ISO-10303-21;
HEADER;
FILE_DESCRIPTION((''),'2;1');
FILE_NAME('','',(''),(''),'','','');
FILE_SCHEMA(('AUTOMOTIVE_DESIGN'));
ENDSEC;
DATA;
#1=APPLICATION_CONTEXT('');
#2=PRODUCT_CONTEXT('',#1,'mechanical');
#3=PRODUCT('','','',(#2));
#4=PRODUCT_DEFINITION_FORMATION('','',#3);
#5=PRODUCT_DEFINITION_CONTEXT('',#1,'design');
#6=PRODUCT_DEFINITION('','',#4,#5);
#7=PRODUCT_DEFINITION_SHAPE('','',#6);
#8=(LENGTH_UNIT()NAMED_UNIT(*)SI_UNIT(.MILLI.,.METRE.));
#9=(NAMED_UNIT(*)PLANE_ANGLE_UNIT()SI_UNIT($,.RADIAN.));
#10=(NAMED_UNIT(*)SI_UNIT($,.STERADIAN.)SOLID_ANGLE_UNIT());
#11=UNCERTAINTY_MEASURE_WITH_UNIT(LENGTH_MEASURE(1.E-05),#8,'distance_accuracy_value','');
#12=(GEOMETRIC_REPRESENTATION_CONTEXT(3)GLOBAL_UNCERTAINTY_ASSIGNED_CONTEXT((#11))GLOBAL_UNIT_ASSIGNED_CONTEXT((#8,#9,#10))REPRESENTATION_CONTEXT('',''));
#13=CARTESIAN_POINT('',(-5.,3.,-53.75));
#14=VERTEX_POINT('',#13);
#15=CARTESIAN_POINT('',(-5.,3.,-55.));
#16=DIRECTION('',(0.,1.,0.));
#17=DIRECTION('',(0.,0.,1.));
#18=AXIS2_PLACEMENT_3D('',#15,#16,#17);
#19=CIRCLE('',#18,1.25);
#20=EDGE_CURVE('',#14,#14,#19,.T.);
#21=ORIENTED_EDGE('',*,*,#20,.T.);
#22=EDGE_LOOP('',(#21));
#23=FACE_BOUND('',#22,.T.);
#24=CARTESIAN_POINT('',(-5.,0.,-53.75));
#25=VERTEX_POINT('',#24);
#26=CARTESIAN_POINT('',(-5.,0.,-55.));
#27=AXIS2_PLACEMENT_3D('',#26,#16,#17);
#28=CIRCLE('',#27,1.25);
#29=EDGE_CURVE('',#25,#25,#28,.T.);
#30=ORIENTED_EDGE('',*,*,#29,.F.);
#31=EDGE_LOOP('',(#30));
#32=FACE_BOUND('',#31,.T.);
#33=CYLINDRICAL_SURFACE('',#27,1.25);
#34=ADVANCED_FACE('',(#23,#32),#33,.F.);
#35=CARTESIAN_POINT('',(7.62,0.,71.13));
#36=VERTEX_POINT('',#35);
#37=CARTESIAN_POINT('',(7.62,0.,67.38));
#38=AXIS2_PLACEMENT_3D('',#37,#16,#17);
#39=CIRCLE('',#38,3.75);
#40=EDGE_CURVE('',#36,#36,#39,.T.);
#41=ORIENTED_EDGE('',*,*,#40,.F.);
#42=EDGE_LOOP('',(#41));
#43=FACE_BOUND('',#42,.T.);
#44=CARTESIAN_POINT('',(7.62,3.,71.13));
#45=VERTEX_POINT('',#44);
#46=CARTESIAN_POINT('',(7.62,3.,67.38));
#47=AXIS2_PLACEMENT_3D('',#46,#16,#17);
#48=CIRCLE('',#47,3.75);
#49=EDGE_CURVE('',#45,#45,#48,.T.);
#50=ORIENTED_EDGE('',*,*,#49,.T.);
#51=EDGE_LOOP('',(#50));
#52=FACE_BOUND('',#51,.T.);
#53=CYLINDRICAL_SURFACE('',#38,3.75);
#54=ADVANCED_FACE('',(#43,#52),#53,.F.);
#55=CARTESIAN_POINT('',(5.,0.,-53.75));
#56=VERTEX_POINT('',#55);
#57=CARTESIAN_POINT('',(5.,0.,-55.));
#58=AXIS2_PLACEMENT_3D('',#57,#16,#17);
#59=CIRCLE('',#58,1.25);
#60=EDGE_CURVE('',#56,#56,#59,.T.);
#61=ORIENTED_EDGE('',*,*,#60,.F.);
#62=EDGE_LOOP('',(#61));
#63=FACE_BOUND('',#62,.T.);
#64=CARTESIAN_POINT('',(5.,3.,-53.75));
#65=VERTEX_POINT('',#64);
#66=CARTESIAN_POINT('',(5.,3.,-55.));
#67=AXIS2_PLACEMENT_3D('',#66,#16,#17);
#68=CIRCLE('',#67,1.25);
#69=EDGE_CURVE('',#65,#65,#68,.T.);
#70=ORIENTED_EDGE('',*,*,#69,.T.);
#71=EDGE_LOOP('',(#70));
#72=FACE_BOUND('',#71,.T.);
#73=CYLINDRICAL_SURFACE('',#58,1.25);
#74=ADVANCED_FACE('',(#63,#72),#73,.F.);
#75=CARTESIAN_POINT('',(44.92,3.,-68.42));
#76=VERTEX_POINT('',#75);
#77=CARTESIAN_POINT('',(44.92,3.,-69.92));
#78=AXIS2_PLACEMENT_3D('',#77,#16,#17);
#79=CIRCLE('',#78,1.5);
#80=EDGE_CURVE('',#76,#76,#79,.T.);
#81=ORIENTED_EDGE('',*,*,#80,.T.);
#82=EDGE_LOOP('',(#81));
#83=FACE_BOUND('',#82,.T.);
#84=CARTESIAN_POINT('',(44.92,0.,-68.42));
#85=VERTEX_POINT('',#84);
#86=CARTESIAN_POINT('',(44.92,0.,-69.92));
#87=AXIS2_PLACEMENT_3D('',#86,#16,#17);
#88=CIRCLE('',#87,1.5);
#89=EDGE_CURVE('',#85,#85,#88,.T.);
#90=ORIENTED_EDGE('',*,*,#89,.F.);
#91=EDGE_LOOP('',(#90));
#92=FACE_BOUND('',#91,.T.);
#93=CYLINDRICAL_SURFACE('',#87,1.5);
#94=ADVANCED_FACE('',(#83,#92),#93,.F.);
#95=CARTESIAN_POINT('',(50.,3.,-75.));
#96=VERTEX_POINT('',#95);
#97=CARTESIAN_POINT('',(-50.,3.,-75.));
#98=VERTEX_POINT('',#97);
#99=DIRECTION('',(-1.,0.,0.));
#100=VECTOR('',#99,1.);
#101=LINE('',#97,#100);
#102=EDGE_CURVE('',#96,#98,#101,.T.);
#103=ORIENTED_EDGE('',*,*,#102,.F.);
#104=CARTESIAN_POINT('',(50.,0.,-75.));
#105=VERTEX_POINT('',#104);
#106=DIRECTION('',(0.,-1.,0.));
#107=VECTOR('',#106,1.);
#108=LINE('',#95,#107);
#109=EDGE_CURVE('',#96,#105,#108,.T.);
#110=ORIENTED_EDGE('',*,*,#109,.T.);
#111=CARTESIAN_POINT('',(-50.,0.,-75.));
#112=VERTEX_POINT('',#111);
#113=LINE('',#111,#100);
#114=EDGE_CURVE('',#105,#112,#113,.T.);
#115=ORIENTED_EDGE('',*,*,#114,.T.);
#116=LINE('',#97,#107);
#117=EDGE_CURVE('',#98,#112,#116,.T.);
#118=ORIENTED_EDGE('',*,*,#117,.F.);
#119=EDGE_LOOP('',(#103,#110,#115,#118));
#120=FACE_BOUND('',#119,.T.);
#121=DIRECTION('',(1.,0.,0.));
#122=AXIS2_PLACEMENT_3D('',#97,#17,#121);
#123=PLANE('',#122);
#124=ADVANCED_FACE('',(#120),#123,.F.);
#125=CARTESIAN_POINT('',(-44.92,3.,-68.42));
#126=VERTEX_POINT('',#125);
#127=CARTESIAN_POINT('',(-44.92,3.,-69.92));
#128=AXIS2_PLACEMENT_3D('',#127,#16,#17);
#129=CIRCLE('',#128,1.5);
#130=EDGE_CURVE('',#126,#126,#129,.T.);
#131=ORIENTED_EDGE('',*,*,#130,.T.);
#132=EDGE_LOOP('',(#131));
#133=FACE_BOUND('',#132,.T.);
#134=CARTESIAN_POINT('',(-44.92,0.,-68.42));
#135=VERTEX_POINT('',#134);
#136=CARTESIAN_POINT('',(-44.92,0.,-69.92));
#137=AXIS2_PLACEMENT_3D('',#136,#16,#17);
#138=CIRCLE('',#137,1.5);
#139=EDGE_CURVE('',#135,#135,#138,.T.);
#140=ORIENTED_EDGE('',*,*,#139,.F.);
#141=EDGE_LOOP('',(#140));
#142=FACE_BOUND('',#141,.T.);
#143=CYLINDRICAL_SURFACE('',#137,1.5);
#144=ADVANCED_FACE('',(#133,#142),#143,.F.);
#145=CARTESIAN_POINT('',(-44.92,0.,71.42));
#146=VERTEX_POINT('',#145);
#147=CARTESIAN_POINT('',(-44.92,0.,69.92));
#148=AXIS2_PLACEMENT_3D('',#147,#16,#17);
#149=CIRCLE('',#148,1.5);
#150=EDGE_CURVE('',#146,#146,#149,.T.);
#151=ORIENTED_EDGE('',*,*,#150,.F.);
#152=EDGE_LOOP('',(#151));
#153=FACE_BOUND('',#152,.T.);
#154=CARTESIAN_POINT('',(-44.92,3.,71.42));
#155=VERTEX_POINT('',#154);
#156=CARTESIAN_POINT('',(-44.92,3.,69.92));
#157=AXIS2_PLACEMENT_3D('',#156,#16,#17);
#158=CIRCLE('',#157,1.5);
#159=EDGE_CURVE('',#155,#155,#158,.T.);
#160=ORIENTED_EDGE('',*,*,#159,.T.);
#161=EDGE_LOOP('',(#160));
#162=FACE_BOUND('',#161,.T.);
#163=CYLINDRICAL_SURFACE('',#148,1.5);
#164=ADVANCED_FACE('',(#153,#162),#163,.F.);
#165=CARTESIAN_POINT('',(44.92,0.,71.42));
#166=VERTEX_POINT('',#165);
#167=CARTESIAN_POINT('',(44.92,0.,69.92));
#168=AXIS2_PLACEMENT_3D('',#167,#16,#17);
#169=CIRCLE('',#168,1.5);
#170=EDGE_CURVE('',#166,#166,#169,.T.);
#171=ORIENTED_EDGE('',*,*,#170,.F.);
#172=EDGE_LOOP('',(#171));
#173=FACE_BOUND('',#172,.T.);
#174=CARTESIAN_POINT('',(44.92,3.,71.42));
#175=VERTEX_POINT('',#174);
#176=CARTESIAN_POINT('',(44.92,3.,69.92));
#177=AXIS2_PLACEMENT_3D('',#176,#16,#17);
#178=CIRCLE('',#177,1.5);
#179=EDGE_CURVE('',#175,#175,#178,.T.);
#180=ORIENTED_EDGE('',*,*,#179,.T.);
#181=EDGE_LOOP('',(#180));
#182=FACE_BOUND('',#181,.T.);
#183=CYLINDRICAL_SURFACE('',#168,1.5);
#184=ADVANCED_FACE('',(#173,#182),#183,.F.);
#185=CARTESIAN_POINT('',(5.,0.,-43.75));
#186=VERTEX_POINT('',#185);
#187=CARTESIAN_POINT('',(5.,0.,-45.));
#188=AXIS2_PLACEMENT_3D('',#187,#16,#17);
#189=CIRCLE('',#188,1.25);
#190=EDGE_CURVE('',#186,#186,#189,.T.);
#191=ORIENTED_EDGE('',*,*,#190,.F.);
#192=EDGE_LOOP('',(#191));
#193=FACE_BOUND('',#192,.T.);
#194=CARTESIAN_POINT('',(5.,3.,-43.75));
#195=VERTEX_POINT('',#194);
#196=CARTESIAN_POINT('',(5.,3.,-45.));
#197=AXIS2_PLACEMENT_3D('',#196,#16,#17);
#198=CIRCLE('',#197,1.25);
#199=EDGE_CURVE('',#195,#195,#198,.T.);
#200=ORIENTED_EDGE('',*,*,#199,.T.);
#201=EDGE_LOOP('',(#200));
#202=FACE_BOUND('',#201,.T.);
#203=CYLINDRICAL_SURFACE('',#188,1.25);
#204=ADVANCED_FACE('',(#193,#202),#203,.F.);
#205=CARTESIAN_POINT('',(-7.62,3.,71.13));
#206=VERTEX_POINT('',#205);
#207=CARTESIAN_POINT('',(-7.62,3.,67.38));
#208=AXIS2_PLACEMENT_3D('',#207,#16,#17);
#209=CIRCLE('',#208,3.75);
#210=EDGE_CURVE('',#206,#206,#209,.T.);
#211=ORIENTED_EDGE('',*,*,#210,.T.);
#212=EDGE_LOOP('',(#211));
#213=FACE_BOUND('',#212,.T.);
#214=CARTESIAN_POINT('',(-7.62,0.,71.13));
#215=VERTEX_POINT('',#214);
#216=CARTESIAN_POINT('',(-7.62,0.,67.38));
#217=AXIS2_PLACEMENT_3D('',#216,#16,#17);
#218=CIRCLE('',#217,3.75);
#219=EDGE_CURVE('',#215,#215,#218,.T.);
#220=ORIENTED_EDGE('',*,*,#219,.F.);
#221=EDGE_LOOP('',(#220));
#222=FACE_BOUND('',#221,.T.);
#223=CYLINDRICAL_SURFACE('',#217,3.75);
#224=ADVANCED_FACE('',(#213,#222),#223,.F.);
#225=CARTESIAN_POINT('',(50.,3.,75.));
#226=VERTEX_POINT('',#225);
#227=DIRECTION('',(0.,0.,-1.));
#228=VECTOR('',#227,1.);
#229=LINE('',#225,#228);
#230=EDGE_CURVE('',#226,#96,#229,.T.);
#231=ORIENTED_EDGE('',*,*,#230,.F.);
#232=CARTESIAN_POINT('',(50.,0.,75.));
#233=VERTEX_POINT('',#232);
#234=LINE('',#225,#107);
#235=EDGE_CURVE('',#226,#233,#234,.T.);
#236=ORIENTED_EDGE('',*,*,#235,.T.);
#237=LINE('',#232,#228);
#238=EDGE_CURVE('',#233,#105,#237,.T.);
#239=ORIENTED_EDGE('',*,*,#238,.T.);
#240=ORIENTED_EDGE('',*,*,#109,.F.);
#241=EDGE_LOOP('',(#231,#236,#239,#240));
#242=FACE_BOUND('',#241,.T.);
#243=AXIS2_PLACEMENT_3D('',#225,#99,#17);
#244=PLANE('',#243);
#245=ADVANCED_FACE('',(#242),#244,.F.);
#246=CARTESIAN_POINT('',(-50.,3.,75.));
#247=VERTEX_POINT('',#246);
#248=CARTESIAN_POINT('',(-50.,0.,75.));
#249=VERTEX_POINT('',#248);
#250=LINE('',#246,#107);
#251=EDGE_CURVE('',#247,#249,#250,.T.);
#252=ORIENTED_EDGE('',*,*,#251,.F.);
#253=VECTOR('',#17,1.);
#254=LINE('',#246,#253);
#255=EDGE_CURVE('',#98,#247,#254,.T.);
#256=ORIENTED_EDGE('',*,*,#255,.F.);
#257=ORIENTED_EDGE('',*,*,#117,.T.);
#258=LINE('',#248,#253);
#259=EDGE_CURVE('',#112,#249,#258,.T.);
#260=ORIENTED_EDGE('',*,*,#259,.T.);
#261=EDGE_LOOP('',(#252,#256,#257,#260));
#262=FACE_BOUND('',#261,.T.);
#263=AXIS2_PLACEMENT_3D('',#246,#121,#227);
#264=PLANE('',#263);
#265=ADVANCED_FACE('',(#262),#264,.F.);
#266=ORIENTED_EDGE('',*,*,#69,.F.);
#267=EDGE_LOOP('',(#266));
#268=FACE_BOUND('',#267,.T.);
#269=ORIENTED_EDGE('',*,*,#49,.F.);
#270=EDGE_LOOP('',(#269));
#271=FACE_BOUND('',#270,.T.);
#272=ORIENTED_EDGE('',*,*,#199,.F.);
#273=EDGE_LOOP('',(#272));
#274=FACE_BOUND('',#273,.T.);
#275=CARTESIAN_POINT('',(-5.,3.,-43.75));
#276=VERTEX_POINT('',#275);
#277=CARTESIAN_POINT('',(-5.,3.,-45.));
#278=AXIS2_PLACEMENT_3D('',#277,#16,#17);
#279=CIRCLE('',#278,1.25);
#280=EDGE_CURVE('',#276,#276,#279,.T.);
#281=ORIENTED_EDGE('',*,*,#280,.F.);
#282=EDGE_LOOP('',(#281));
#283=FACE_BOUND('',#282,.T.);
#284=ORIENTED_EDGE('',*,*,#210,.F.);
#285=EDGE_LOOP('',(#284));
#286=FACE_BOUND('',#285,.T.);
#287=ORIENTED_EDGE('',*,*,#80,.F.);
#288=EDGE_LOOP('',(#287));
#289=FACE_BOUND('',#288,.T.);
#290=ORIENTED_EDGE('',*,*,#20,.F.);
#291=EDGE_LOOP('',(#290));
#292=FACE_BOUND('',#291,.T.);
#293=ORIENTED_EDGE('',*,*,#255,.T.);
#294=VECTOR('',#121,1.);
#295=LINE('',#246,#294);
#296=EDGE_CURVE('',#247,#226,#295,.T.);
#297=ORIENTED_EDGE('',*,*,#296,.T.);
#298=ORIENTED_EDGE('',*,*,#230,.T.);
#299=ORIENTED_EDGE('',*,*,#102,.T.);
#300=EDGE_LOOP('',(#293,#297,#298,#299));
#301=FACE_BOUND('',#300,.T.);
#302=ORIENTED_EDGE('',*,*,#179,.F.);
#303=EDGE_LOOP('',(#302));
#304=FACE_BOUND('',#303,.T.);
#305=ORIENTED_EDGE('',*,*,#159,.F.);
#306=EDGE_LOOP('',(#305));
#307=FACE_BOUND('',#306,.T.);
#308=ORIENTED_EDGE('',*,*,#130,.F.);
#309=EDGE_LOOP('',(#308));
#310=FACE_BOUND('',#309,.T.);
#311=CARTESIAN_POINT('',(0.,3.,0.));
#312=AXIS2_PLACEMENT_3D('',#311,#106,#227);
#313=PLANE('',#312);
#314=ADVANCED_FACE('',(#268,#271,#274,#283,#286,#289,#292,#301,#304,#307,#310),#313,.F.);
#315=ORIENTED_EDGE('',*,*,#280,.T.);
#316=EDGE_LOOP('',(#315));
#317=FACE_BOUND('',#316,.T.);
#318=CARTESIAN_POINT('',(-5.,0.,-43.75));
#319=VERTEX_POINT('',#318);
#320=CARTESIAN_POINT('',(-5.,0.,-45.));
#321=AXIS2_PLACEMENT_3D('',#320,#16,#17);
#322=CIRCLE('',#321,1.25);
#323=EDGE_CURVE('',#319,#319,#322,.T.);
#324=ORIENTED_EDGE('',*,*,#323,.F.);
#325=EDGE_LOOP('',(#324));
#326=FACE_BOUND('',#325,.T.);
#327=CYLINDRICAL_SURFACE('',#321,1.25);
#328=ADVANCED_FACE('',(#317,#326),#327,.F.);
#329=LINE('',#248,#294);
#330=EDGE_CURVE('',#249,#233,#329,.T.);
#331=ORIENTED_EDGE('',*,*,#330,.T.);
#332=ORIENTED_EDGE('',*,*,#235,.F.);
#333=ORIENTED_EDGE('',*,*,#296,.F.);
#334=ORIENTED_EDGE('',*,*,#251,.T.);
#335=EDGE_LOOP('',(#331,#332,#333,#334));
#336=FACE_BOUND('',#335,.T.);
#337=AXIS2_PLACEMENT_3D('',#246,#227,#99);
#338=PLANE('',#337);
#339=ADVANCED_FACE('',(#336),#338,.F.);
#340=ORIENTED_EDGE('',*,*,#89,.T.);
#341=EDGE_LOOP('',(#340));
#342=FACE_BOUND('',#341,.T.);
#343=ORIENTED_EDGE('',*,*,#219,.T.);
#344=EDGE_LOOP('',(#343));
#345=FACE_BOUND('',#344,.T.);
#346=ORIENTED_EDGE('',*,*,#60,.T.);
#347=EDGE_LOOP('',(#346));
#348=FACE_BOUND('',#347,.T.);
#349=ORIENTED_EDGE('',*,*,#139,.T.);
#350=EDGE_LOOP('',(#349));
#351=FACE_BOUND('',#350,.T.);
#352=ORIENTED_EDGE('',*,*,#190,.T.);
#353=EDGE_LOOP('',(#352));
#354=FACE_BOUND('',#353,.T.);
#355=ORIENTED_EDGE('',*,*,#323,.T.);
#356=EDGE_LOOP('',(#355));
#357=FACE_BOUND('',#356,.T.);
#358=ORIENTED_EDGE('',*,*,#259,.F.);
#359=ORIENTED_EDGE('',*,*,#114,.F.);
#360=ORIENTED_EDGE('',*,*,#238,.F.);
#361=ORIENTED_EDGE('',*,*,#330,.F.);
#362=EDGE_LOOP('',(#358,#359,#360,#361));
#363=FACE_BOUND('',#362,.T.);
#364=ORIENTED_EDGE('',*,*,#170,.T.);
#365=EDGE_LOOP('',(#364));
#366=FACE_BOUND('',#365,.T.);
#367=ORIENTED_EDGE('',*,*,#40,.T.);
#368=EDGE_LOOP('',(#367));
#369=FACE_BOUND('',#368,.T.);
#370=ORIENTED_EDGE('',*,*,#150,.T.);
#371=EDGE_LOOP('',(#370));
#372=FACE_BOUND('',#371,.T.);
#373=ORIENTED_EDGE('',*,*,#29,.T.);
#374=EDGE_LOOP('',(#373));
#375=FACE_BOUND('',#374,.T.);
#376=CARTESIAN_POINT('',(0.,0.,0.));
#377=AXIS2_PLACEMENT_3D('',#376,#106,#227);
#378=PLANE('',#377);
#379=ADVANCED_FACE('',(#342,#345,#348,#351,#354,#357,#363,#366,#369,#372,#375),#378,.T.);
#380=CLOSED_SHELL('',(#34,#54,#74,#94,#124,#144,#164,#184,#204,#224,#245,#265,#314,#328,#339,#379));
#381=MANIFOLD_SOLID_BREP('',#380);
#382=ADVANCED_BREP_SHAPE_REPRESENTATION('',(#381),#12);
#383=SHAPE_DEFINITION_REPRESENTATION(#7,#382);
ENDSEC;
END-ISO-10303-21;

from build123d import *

# Parameters (mm, degrees)
SKETCH1_W           = 99.999999898
SKETCH1_H           = 149.999999974
BOSS_EXTRUDE1_DEPTH = 3
SKETCH2_R           = 3.749999993
SKETCH2_R_2         = 1.500000048
SKETCH2_R_3         = 1.5
SKETCH2_R_4         = 1.25
CUT_EXTRUDE1_DEPTH  = 3


with BuildPart() as part:
    # Sketch1 → Boss-Extrude1 (new body)
    with BuildSketch(Plane(origin=(0, 0, 0), x_dir=(1, 0, 0), z_dir=(0, 1, 0))):
        Rectangle(SKETCH1_W, SKETCH1_H)
    extrude(amount=BOSS_EXTRUDE1_DEPTH)

    # Sketch2 → Cut-Extrude1 (cut)
    with BuildSketch(Plane(origin=(0, 3, 0), x_dir=(1, 0, 0), z_dir=(0, 1, 0))):
        with Locations(Location((-7.62, -67.379999987, 0), (0, 0, 270))):
            Circle(SKETCH2_R)
        with Locations(Location((7.62, -67.379999987, 0), (0, 0, 270))):
            Circle(SKETCH2_R)
        with Locations(Location((-44.919999949, 69.919999987, 0), (0, 0, 270))):
            Circle(SKETCH2_R_2)
        with Locations(Location((44.919999949, 69.919999987, 0), (0, 0, 270))):
            Circle(SKETCH2_R_3)
        with Locations(Location((-44.919999949, -69.919999987, 0), (0, 0, 270))):
            Circle(SKETCH2_R_3)
        with Locations(Location((44.919999949, -69.919999987, 0), (0, 0, 270))):
            Circle(SKETCH2_R_3)
        with Locations(Location((-4.999999906, 55.000000109, 0), (0, 0, 270))):
            Circle(SKETCH2_R_4)
        with Locations(Location((4.999999906, 55.000000109, 0), (0, 0, 270))):
            Circle(SKETCH2_R_4)
        with Locations(Location((-4.999999906, 45.000000109, 0), (0, 0, 270))):
            Circle(SKETCH2_R_4)
        with Locations(Location((4.999999906, 45.000000109, 0), (0, 0, 270))):
            Circle(SKETCH2_R_4)
    extrude(amount=-CUT_EXTRUDE1_DEPTH, mode=Mode.SUBTRACT)


solid = part.part
